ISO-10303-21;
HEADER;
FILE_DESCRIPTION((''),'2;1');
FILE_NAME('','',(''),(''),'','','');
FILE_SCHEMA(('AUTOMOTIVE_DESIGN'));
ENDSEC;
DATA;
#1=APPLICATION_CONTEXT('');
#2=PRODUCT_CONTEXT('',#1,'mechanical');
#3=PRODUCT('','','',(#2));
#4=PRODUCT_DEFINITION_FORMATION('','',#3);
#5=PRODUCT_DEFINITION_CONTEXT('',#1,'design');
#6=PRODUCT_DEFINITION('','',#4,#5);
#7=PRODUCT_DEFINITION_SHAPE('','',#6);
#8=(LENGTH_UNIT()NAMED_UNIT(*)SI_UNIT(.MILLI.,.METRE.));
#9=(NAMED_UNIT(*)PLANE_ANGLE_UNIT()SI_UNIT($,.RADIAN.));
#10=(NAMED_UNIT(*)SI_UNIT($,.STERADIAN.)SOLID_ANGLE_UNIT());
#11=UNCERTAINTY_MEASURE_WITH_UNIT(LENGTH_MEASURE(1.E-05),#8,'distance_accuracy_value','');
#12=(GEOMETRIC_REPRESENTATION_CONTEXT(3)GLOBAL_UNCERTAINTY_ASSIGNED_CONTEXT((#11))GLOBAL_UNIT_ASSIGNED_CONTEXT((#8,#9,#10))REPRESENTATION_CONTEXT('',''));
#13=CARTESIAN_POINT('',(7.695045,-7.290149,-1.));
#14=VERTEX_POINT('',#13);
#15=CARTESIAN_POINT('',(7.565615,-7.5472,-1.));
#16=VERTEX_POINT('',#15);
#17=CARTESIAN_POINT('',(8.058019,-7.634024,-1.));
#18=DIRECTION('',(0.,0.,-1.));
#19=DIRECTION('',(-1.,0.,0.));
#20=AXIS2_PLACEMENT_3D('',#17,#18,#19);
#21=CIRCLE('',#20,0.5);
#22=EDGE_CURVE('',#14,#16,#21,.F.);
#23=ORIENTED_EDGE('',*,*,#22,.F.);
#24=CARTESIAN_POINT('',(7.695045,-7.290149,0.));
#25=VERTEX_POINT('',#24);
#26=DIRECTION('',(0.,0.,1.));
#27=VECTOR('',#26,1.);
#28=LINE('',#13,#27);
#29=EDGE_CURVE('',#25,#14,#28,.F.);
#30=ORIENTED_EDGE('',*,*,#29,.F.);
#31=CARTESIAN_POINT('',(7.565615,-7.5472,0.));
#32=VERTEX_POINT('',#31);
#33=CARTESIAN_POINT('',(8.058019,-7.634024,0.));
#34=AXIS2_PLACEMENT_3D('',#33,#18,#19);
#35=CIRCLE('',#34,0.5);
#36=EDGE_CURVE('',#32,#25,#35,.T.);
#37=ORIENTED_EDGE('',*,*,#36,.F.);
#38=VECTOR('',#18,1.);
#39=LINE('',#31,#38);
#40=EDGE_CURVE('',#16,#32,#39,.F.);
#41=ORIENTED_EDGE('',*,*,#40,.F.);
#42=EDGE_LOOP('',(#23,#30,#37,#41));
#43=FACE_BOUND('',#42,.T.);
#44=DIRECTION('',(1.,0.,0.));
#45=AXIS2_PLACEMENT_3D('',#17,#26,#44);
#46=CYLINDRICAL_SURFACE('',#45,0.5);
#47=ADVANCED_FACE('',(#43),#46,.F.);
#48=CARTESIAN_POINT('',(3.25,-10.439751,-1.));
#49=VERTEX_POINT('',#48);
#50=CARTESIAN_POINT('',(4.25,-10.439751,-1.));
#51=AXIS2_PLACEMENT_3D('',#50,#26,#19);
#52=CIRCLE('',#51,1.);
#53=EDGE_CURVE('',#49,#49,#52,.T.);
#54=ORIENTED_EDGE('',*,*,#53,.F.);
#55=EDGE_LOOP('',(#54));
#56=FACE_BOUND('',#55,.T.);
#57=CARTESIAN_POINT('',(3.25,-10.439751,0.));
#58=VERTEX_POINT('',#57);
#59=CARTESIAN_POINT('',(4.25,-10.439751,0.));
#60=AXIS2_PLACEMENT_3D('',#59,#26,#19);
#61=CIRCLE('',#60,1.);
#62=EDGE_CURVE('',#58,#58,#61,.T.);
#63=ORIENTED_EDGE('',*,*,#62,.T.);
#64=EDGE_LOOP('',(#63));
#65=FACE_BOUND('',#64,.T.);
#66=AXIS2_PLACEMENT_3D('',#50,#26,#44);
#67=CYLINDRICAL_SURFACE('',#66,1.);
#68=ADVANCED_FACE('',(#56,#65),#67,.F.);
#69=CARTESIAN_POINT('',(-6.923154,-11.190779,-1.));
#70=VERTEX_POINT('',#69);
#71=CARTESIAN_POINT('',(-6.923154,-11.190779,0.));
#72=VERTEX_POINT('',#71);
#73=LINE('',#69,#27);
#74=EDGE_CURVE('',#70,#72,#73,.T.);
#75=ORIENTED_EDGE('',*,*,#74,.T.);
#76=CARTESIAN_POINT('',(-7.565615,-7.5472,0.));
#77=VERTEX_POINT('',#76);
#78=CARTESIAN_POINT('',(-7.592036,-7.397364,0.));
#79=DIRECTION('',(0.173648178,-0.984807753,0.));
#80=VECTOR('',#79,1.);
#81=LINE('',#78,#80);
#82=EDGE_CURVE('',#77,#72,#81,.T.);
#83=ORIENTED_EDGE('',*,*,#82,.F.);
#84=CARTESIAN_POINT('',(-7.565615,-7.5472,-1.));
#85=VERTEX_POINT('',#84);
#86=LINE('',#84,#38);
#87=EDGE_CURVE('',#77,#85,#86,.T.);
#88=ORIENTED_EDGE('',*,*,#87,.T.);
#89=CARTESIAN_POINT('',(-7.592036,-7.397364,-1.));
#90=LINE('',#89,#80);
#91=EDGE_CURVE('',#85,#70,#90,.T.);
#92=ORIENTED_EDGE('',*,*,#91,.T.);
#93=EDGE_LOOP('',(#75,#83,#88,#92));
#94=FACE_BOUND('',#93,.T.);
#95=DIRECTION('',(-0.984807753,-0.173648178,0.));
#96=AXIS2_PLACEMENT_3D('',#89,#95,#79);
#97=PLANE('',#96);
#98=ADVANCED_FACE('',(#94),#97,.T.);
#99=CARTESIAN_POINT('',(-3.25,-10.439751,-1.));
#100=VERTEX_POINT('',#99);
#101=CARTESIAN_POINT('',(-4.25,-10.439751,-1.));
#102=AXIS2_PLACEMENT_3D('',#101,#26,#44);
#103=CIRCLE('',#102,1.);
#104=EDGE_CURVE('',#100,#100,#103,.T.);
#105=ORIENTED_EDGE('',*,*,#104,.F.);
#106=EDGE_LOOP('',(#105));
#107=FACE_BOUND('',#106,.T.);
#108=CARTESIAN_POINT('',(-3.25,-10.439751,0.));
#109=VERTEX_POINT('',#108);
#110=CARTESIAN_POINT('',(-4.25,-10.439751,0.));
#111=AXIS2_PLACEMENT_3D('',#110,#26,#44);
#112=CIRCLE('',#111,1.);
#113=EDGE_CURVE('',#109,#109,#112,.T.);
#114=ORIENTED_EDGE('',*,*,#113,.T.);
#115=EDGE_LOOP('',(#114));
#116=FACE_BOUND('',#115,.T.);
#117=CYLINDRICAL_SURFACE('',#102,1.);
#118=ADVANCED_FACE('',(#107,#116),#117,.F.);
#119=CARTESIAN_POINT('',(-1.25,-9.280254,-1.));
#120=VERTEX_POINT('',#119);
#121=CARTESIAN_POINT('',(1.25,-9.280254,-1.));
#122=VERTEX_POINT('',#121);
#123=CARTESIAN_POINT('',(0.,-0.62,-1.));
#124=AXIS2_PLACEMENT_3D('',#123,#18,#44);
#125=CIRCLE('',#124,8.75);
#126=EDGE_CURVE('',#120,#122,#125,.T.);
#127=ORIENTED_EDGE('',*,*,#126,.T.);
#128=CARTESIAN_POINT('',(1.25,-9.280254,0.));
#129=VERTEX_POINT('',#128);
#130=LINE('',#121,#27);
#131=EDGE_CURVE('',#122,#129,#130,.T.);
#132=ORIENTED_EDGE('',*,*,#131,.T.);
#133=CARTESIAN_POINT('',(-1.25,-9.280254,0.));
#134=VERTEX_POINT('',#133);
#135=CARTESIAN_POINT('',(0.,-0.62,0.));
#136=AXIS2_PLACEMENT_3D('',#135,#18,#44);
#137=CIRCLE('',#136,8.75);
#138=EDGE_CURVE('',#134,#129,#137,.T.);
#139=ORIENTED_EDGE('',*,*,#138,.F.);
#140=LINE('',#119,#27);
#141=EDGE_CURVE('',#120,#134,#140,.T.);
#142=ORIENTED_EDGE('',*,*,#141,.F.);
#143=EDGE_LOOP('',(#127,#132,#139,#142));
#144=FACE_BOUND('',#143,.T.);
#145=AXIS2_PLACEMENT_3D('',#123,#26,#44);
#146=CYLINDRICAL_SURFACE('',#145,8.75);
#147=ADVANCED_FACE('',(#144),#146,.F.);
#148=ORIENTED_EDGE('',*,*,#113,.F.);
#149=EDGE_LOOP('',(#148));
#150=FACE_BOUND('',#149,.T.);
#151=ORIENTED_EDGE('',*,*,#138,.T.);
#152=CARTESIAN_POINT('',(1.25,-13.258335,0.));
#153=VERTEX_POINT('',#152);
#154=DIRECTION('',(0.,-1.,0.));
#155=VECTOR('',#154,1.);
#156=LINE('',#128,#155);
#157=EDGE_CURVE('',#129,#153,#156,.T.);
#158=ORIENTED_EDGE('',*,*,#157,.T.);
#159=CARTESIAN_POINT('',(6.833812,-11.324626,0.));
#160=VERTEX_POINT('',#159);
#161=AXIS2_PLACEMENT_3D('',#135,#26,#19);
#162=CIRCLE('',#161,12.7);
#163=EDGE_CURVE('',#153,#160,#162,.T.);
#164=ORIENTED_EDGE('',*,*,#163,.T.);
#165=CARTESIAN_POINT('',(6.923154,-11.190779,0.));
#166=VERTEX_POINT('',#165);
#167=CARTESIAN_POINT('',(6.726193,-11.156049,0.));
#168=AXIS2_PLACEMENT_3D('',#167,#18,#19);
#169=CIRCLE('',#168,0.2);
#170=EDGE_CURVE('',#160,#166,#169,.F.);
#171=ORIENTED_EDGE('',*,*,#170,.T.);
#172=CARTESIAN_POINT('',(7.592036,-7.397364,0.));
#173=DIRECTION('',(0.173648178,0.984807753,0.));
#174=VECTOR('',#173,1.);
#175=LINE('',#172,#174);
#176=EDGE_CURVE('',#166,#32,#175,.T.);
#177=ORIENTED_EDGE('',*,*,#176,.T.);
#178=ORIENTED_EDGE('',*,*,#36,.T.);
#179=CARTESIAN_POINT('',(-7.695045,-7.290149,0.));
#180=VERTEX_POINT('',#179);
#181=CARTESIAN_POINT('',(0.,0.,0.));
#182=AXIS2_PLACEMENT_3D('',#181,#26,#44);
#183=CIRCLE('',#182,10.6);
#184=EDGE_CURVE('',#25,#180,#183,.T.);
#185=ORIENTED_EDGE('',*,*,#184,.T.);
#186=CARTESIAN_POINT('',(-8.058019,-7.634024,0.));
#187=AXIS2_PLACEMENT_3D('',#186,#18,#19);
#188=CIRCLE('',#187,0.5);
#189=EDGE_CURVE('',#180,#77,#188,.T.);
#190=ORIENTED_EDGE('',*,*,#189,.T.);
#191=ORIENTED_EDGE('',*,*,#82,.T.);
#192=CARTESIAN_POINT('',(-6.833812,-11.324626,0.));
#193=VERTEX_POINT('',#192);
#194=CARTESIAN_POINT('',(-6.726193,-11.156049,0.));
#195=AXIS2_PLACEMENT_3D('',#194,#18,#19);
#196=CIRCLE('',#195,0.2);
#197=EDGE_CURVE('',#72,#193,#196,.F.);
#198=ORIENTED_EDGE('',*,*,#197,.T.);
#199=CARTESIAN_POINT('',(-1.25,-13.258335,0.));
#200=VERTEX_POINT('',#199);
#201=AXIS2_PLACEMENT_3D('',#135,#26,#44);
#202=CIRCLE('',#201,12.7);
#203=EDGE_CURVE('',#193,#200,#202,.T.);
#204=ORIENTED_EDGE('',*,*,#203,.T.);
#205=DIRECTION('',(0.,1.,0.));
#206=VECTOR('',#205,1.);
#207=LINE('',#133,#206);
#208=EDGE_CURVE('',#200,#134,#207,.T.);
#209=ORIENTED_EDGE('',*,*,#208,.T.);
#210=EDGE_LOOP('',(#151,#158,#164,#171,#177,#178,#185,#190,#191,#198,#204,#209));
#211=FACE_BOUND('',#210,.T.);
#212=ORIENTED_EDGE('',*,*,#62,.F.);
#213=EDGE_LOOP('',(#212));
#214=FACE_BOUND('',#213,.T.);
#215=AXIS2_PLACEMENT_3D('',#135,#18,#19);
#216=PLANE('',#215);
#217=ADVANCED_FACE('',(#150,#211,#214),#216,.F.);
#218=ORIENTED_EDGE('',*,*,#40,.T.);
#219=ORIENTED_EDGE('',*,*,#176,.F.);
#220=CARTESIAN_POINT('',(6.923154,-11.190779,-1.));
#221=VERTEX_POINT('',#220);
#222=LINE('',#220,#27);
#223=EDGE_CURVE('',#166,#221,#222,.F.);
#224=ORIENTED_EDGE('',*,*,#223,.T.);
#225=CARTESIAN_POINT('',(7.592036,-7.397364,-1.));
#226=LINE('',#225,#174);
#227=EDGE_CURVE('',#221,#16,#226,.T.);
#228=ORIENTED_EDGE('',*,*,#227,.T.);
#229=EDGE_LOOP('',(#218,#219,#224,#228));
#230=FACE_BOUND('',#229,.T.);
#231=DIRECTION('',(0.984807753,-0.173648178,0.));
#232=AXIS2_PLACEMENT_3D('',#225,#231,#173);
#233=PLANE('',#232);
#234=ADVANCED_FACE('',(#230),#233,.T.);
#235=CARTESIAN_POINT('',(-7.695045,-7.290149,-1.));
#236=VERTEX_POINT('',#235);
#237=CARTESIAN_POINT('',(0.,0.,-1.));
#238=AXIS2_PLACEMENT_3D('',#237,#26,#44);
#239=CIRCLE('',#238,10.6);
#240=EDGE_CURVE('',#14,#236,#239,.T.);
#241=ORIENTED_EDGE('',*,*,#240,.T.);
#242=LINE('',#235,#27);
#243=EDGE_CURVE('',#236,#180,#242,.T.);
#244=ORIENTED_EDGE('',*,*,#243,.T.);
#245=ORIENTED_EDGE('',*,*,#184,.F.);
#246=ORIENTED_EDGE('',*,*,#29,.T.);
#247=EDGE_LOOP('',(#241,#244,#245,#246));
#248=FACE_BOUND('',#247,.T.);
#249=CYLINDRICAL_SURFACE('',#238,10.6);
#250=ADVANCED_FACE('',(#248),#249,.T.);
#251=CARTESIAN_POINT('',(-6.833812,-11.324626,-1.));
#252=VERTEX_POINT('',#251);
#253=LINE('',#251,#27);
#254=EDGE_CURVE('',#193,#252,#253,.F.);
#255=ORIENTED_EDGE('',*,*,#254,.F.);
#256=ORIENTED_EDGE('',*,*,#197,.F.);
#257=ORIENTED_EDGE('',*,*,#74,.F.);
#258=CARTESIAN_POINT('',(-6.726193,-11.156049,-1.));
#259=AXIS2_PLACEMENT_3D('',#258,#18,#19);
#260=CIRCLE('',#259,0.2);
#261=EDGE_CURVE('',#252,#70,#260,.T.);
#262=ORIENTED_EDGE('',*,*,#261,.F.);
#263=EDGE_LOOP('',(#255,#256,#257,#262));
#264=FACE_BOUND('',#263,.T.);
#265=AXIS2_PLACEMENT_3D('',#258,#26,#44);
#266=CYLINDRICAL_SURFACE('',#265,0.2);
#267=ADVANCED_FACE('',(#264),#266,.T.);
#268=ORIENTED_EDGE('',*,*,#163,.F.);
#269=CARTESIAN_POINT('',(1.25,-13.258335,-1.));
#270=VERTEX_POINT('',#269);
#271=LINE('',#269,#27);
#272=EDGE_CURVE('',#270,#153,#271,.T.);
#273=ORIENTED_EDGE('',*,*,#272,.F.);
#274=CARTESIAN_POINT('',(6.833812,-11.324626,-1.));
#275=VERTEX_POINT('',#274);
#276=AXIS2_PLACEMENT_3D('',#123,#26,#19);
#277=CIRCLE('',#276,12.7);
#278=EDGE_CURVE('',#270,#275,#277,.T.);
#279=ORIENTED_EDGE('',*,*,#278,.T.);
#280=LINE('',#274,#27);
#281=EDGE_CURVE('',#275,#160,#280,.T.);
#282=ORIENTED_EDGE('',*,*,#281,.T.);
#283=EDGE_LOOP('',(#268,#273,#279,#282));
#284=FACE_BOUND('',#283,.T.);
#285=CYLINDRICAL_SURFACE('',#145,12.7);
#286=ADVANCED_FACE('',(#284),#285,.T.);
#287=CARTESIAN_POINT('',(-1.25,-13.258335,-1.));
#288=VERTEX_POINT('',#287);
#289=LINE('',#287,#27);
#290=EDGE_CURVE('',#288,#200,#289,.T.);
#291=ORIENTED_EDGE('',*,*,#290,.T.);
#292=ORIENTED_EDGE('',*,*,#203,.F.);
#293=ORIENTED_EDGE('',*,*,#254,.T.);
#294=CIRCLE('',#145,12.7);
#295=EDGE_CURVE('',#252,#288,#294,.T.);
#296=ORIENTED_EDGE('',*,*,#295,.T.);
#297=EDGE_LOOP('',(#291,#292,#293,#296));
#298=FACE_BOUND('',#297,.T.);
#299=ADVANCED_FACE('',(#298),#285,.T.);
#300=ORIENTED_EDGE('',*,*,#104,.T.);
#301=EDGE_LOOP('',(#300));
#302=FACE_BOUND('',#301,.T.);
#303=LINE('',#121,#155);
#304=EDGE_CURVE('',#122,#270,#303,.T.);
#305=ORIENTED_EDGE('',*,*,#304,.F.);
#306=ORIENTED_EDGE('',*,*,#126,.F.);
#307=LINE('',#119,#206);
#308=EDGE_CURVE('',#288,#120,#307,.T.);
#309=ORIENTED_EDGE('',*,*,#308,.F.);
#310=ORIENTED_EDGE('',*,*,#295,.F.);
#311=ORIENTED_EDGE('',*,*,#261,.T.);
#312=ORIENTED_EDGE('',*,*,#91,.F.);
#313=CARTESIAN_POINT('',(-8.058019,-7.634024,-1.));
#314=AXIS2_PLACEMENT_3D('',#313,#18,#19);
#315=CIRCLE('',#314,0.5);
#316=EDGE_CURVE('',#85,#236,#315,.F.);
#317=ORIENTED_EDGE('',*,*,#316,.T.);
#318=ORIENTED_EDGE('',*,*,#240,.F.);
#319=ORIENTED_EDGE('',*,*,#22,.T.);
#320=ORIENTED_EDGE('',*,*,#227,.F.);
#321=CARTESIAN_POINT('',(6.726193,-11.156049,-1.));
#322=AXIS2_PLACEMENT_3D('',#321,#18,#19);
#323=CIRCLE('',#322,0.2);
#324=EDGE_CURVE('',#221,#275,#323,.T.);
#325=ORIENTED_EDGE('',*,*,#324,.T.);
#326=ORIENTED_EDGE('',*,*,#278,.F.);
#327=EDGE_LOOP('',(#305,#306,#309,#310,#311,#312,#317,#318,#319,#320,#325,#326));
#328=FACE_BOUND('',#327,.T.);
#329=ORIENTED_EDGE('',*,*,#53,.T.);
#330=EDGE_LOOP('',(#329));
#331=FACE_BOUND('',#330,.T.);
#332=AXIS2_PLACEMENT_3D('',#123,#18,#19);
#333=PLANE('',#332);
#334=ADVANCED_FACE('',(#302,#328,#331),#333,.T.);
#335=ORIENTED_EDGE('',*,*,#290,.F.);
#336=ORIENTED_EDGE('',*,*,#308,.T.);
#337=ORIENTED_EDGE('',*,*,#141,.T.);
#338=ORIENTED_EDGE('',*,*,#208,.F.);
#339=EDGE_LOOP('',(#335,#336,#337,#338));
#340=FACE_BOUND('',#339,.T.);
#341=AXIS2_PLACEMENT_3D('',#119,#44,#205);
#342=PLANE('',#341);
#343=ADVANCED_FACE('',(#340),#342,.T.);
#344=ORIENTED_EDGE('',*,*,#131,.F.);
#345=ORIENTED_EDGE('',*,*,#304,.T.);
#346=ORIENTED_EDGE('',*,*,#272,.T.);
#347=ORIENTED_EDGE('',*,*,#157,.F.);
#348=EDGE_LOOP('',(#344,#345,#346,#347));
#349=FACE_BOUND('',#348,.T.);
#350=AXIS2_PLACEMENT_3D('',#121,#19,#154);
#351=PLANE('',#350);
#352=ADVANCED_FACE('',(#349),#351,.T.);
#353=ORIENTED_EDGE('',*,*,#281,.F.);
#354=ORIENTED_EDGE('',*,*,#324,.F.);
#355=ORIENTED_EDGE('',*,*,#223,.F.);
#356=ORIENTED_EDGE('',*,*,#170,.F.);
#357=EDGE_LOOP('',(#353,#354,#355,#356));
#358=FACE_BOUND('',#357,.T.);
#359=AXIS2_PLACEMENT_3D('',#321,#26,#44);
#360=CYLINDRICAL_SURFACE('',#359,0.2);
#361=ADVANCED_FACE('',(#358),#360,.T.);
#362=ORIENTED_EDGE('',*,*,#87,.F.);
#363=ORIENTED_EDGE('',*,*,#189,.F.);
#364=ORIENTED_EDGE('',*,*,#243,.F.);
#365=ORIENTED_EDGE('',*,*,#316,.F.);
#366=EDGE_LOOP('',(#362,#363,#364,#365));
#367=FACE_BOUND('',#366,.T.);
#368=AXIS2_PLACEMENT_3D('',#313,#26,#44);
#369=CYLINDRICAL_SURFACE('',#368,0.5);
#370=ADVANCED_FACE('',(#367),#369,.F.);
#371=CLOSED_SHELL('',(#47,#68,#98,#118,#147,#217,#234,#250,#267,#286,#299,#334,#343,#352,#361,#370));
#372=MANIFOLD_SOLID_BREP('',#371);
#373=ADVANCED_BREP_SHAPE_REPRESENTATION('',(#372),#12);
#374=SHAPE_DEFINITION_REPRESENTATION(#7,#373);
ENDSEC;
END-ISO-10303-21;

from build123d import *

# Parameters (mm, degrees)
SKETCH1_R  = 1
BODY_DEPTH = 1
FILLET1_R  = 0.2
FILLET2_R  = 0.5


with BuildPart() as part:
    # Sketch1 → Body (new body)
    with BuildSketch(Plane.XY):
        with BuildLine():
            Line((-1.25, -9.280254038), (-1.25, -13.258334542))
            ThreePointArc((-1.25, -13.258334542), (-4.197569907, -12.606259086), (-6.907964473, -11.276923892))
            Line((-6.907964473, -11.276923892), (-7.592035527, -7.397364163))
            ThreePointArc((-7.592035527, -7.397364163), (0, 10.6), (7.592035527, -7.397364163))
            Line((7.592035527, -7.397364163), (6.907964473, -11.276923892))
            ThreePointArc((6.907964473, -11.276923892), (4.197569907, -12.606259086), (1.25, -13.258334542))
            Line((1.25, -13.258334542), (1.25, -9.280254038))
            ThreePointArc((1.25, -9.280254038), (0, 8.13), (-1.25, -9.280254038))
        make_face()
        with Locations(Location((4.25, -10.439750506, 0), (0, 0, 180))):
            Circle(SKETCH1_R, mode=Mode.SUBTRACT)
        with Locations((-4.25, -10.439750506)):
            Circle(SKETCH1_R, mode=Mode.SUBTRACT)
    extrude(amount=-BODY_DEPTH)

    # Fillet1
    fillet1_edges = [part.edges().sort_by_distance(p)[0] for p in [
        (-6.907964473, -11.276923892, -0.5),
        (6.907964473, -11.276923892, -0.5),
    ]]
    fillet(fillet1_edges, radius=FILLET1_R)

    # Fillet2
    fillet2_edges = [part.edges().sort_by_distance(p)[0] for p in [
        (-7.592035527, -7.397364163, -0.5),
        (7.592035527, -7.397364163, -0.5),
    ]]
    fillet(fillet2_edges, radius=FILLET2_R)


solid = part.part
